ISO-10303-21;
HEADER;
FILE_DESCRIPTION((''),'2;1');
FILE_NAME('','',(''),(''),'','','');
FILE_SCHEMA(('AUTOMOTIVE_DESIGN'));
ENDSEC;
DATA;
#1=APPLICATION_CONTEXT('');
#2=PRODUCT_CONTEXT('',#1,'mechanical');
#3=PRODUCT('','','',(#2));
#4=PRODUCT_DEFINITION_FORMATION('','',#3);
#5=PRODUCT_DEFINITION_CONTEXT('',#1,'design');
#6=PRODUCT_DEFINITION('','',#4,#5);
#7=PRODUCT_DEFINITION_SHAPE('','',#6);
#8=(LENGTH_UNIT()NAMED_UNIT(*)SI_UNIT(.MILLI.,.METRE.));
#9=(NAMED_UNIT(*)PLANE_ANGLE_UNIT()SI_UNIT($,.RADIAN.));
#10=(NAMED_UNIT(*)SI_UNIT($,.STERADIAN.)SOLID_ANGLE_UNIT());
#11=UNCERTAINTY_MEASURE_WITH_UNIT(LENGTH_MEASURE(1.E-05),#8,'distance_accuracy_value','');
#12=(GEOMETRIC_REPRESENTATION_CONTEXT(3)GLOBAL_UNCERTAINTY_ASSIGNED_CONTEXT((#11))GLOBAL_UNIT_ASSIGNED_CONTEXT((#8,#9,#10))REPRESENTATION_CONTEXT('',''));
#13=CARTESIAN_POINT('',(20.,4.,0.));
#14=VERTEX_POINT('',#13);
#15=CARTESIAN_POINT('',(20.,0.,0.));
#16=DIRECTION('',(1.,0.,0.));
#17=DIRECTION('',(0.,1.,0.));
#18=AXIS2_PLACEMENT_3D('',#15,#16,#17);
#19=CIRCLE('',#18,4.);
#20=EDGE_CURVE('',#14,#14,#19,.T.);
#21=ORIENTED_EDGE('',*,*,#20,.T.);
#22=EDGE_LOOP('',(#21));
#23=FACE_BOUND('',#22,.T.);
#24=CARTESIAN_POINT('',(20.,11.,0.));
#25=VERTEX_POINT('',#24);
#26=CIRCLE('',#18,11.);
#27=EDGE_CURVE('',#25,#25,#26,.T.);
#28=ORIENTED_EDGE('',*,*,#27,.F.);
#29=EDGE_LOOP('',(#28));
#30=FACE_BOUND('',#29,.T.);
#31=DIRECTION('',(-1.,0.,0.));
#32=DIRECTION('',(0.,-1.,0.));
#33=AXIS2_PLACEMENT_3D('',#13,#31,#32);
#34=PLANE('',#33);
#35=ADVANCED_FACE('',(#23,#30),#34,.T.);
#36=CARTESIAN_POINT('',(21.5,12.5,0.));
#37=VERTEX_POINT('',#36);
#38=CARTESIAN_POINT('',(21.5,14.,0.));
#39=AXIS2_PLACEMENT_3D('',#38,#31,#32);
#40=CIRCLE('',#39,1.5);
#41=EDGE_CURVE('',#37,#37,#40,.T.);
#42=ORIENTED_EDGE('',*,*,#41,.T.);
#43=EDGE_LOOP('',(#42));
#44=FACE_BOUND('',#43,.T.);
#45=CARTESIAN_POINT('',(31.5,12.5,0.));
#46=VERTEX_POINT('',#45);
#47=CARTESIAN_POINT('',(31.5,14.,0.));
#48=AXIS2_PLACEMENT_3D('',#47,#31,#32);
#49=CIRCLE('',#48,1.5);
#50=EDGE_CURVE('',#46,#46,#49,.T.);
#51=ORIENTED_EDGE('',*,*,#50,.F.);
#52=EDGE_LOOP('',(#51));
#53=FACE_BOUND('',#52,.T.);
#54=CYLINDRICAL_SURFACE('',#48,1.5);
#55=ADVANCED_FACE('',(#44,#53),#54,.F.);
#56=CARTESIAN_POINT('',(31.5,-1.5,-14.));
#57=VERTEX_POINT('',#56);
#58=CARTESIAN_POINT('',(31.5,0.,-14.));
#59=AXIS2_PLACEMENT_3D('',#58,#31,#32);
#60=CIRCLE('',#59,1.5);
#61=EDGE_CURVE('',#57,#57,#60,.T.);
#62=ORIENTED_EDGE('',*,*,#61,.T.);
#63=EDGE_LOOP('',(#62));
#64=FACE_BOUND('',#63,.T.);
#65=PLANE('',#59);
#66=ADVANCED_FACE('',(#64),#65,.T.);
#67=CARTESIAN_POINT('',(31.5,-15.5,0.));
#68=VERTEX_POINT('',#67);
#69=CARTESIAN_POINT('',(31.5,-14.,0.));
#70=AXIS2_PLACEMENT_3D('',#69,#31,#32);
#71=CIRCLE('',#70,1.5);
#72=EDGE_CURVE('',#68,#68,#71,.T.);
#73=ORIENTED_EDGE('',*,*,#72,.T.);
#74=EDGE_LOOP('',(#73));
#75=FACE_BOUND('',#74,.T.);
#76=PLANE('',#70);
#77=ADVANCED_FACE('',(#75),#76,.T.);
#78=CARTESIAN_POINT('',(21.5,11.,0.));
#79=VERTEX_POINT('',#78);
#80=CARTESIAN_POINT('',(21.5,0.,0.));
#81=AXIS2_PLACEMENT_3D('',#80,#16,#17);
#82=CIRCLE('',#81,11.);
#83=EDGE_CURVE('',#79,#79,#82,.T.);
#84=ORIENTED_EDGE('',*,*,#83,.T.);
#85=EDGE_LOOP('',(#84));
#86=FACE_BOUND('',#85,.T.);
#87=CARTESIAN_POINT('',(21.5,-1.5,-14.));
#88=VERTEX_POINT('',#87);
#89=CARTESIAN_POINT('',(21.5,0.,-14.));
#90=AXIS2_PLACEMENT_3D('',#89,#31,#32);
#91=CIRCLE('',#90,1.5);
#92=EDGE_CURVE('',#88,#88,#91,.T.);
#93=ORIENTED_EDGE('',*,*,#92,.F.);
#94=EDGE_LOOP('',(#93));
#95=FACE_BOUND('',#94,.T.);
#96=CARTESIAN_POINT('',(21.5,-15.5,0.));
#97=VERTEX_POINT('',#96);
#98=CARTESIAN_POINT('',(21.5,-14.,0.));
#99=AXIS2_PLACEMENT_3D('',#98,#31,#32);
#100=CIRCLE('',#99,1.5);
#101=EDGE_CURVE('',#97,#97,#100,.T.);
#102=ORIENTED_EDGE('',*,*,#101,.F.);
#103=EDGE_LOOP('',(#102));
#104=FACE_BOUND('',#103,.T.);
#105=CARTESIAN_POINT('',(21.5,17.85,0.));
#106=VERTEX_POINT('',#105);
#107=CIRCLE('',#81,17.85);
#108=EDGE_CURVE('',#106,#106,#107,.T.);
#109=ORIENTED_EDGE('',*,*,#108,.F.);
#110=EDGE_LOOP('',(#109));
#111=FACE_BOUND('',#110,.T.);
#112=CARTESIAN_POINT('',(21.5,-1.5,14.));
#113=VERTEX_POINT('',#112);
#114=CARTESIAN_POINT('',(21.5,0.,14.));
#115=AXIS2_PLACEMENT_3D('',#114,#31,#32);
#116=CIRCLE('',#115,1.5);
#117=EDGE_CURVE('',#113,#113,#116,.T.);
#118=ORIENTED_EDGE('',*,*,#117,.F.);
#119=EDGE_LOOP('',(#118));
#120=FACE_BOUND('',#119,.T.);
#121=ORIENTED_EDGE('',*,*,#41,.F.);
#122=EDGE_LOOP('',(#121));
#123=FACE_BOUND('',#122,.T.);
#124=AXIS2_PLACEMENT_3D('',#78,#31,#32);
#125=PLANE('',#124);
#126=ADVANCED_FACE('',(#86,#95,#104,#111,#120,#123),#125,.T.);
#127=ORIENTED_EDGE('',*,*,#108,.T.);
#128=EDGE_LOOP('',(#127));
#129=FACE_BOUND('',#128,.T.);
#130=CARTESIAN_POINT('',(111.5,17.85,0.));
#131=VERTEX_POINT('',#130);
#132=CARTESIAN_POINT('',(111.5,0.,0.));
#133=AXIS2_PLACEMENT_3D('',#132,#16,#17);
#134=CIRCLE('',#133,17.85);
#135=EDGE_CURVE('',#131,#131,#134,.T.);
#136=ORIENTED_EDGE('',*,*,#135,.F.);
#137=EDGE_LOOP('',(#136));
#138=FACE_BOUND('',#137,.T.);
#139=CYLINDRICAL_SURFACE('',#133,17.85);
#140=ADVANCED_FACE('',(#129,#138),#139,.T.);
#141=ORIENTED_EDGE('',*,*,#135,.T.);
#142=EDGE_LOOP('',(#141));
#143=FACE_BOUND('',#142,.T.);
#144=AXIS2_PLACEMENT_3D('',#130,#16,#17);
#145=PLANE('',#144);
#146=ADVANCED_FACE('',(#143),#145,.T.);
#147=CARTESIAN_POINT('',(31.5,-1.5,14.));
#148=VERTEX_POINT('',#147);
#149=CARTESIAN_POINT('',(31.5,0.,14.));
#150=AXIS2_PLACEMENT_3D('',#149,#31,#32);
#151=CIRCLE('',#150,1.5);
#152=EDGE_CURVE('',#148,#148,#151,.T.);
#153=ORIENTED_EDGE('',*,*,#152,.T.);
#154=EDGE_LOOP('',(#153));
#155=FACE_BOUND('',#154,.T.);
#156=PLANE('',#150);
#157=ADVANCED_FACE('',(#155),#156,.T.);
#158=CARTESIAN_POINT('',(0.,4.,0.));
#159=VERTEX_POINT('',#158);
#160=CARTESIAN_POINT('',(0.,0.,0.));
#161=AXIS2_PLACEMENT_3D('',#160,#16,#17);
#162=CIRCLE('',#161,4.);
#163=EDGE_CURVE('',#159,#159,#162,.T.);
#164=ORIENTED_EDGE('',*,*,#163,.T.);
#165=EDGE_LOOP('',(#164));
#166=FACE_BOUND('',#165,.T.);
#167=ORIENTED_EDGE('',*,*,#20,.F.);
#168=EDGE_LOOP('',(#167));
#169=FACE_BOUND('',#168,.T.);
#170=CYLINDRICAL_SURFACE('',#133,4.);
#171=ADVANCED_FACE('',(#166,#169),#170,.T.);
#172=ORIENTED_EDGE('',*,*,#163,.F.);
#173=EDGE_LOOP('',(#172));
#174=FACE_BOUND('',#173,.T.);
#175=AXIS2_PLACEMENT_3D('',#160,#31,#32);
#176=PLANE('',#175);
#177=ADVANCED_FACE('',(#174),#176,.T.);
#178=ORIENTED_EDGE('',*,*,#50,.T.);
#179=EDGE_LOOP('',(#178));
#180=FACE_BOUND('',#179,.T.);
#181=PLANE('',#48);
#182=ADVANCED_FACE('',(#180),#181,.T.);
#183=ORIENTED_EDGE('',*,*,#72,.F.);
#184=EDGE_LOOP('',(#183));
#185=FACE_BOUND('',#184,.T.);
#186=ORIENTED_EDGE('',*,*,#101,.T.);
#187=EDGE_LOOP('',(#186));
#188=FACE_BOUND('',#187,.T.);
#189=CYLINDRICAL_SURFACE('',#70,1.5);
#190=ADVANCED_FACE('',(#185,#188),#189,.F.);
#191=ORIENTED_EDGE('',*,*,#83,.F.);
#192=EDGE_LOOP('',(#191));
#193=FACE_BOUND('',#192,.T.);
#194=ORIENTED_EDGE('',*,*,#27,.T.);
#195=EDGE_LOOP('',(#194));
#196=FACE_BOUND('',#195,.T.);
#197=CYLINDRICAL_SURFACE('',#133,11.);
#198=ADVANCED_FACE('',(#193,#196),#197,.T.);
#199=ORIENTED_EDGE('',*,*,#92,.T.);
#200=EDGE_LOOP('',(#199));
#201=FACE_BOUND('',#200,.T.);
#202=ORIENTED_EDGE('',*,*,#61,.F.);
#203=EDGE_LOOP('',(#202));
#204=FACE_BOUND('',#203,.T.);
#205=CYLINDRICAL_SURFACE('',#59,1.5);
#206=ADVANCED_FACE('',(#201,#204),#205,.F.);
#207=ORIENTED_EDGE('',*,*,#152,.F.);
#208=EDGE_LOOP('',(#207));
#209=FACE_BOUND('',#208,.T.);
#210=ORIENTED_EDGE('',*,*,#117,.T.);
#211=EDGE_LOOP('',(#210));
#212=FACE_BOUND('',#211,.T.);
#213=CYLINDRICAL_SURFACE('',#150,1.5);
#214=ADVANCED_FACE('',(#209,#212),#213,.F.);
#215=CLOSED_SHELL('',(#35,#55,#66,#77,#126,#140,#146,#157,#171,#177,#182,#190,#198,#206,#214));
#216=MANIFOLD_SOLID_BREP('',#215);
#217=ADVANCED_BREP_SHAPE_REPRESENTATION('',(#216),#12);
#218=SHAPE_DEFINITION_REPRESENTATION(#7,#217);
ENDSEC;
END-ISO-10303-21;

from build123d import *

# Parameters (mm, degrees)
SKETCH2_R          = 1.5
CUT_EXTRUDE1_DEPTH = 10


with BuildPart() as part:
    # Sketch1 → Revolve1 (revolve)
    with BuildSketch(Plane.XY):
        Polygon((0, 0), (0, 4), (20, 4), (20, 11), (21.5, 11), (21.5, 17.85), (111.5, 17.85), (111.5, 0), align=None)
    revolve(axis=Axis((111.5, 0, 0), (-1, 0, 0)))

    # Sketch2 → Cut-Extrude1 (cut)
    with BuildSketch(Plane.ZY.offset(-21.5)):
        with Locations(Location((0, 14, 0), (0, 0, 270))):
            Circle(SKETCH2_R)
        with Locations(Location((14, 0, 0), (0, 0, 270))):
            Circle(SKETCH2_R)
        with Locations(Location((0, -14, 0), (0, 0, 270))):
            Circle(SKETCH2_R)
        with Locations(Location((-14, 0, 0), (0, 0, 270))):
            Circle(SKETCH2_R)
    extrude(amount=-CUT_EXTRUDE1_DEPTH, mode=Mode.SUBTRACT)


solid = part.part
